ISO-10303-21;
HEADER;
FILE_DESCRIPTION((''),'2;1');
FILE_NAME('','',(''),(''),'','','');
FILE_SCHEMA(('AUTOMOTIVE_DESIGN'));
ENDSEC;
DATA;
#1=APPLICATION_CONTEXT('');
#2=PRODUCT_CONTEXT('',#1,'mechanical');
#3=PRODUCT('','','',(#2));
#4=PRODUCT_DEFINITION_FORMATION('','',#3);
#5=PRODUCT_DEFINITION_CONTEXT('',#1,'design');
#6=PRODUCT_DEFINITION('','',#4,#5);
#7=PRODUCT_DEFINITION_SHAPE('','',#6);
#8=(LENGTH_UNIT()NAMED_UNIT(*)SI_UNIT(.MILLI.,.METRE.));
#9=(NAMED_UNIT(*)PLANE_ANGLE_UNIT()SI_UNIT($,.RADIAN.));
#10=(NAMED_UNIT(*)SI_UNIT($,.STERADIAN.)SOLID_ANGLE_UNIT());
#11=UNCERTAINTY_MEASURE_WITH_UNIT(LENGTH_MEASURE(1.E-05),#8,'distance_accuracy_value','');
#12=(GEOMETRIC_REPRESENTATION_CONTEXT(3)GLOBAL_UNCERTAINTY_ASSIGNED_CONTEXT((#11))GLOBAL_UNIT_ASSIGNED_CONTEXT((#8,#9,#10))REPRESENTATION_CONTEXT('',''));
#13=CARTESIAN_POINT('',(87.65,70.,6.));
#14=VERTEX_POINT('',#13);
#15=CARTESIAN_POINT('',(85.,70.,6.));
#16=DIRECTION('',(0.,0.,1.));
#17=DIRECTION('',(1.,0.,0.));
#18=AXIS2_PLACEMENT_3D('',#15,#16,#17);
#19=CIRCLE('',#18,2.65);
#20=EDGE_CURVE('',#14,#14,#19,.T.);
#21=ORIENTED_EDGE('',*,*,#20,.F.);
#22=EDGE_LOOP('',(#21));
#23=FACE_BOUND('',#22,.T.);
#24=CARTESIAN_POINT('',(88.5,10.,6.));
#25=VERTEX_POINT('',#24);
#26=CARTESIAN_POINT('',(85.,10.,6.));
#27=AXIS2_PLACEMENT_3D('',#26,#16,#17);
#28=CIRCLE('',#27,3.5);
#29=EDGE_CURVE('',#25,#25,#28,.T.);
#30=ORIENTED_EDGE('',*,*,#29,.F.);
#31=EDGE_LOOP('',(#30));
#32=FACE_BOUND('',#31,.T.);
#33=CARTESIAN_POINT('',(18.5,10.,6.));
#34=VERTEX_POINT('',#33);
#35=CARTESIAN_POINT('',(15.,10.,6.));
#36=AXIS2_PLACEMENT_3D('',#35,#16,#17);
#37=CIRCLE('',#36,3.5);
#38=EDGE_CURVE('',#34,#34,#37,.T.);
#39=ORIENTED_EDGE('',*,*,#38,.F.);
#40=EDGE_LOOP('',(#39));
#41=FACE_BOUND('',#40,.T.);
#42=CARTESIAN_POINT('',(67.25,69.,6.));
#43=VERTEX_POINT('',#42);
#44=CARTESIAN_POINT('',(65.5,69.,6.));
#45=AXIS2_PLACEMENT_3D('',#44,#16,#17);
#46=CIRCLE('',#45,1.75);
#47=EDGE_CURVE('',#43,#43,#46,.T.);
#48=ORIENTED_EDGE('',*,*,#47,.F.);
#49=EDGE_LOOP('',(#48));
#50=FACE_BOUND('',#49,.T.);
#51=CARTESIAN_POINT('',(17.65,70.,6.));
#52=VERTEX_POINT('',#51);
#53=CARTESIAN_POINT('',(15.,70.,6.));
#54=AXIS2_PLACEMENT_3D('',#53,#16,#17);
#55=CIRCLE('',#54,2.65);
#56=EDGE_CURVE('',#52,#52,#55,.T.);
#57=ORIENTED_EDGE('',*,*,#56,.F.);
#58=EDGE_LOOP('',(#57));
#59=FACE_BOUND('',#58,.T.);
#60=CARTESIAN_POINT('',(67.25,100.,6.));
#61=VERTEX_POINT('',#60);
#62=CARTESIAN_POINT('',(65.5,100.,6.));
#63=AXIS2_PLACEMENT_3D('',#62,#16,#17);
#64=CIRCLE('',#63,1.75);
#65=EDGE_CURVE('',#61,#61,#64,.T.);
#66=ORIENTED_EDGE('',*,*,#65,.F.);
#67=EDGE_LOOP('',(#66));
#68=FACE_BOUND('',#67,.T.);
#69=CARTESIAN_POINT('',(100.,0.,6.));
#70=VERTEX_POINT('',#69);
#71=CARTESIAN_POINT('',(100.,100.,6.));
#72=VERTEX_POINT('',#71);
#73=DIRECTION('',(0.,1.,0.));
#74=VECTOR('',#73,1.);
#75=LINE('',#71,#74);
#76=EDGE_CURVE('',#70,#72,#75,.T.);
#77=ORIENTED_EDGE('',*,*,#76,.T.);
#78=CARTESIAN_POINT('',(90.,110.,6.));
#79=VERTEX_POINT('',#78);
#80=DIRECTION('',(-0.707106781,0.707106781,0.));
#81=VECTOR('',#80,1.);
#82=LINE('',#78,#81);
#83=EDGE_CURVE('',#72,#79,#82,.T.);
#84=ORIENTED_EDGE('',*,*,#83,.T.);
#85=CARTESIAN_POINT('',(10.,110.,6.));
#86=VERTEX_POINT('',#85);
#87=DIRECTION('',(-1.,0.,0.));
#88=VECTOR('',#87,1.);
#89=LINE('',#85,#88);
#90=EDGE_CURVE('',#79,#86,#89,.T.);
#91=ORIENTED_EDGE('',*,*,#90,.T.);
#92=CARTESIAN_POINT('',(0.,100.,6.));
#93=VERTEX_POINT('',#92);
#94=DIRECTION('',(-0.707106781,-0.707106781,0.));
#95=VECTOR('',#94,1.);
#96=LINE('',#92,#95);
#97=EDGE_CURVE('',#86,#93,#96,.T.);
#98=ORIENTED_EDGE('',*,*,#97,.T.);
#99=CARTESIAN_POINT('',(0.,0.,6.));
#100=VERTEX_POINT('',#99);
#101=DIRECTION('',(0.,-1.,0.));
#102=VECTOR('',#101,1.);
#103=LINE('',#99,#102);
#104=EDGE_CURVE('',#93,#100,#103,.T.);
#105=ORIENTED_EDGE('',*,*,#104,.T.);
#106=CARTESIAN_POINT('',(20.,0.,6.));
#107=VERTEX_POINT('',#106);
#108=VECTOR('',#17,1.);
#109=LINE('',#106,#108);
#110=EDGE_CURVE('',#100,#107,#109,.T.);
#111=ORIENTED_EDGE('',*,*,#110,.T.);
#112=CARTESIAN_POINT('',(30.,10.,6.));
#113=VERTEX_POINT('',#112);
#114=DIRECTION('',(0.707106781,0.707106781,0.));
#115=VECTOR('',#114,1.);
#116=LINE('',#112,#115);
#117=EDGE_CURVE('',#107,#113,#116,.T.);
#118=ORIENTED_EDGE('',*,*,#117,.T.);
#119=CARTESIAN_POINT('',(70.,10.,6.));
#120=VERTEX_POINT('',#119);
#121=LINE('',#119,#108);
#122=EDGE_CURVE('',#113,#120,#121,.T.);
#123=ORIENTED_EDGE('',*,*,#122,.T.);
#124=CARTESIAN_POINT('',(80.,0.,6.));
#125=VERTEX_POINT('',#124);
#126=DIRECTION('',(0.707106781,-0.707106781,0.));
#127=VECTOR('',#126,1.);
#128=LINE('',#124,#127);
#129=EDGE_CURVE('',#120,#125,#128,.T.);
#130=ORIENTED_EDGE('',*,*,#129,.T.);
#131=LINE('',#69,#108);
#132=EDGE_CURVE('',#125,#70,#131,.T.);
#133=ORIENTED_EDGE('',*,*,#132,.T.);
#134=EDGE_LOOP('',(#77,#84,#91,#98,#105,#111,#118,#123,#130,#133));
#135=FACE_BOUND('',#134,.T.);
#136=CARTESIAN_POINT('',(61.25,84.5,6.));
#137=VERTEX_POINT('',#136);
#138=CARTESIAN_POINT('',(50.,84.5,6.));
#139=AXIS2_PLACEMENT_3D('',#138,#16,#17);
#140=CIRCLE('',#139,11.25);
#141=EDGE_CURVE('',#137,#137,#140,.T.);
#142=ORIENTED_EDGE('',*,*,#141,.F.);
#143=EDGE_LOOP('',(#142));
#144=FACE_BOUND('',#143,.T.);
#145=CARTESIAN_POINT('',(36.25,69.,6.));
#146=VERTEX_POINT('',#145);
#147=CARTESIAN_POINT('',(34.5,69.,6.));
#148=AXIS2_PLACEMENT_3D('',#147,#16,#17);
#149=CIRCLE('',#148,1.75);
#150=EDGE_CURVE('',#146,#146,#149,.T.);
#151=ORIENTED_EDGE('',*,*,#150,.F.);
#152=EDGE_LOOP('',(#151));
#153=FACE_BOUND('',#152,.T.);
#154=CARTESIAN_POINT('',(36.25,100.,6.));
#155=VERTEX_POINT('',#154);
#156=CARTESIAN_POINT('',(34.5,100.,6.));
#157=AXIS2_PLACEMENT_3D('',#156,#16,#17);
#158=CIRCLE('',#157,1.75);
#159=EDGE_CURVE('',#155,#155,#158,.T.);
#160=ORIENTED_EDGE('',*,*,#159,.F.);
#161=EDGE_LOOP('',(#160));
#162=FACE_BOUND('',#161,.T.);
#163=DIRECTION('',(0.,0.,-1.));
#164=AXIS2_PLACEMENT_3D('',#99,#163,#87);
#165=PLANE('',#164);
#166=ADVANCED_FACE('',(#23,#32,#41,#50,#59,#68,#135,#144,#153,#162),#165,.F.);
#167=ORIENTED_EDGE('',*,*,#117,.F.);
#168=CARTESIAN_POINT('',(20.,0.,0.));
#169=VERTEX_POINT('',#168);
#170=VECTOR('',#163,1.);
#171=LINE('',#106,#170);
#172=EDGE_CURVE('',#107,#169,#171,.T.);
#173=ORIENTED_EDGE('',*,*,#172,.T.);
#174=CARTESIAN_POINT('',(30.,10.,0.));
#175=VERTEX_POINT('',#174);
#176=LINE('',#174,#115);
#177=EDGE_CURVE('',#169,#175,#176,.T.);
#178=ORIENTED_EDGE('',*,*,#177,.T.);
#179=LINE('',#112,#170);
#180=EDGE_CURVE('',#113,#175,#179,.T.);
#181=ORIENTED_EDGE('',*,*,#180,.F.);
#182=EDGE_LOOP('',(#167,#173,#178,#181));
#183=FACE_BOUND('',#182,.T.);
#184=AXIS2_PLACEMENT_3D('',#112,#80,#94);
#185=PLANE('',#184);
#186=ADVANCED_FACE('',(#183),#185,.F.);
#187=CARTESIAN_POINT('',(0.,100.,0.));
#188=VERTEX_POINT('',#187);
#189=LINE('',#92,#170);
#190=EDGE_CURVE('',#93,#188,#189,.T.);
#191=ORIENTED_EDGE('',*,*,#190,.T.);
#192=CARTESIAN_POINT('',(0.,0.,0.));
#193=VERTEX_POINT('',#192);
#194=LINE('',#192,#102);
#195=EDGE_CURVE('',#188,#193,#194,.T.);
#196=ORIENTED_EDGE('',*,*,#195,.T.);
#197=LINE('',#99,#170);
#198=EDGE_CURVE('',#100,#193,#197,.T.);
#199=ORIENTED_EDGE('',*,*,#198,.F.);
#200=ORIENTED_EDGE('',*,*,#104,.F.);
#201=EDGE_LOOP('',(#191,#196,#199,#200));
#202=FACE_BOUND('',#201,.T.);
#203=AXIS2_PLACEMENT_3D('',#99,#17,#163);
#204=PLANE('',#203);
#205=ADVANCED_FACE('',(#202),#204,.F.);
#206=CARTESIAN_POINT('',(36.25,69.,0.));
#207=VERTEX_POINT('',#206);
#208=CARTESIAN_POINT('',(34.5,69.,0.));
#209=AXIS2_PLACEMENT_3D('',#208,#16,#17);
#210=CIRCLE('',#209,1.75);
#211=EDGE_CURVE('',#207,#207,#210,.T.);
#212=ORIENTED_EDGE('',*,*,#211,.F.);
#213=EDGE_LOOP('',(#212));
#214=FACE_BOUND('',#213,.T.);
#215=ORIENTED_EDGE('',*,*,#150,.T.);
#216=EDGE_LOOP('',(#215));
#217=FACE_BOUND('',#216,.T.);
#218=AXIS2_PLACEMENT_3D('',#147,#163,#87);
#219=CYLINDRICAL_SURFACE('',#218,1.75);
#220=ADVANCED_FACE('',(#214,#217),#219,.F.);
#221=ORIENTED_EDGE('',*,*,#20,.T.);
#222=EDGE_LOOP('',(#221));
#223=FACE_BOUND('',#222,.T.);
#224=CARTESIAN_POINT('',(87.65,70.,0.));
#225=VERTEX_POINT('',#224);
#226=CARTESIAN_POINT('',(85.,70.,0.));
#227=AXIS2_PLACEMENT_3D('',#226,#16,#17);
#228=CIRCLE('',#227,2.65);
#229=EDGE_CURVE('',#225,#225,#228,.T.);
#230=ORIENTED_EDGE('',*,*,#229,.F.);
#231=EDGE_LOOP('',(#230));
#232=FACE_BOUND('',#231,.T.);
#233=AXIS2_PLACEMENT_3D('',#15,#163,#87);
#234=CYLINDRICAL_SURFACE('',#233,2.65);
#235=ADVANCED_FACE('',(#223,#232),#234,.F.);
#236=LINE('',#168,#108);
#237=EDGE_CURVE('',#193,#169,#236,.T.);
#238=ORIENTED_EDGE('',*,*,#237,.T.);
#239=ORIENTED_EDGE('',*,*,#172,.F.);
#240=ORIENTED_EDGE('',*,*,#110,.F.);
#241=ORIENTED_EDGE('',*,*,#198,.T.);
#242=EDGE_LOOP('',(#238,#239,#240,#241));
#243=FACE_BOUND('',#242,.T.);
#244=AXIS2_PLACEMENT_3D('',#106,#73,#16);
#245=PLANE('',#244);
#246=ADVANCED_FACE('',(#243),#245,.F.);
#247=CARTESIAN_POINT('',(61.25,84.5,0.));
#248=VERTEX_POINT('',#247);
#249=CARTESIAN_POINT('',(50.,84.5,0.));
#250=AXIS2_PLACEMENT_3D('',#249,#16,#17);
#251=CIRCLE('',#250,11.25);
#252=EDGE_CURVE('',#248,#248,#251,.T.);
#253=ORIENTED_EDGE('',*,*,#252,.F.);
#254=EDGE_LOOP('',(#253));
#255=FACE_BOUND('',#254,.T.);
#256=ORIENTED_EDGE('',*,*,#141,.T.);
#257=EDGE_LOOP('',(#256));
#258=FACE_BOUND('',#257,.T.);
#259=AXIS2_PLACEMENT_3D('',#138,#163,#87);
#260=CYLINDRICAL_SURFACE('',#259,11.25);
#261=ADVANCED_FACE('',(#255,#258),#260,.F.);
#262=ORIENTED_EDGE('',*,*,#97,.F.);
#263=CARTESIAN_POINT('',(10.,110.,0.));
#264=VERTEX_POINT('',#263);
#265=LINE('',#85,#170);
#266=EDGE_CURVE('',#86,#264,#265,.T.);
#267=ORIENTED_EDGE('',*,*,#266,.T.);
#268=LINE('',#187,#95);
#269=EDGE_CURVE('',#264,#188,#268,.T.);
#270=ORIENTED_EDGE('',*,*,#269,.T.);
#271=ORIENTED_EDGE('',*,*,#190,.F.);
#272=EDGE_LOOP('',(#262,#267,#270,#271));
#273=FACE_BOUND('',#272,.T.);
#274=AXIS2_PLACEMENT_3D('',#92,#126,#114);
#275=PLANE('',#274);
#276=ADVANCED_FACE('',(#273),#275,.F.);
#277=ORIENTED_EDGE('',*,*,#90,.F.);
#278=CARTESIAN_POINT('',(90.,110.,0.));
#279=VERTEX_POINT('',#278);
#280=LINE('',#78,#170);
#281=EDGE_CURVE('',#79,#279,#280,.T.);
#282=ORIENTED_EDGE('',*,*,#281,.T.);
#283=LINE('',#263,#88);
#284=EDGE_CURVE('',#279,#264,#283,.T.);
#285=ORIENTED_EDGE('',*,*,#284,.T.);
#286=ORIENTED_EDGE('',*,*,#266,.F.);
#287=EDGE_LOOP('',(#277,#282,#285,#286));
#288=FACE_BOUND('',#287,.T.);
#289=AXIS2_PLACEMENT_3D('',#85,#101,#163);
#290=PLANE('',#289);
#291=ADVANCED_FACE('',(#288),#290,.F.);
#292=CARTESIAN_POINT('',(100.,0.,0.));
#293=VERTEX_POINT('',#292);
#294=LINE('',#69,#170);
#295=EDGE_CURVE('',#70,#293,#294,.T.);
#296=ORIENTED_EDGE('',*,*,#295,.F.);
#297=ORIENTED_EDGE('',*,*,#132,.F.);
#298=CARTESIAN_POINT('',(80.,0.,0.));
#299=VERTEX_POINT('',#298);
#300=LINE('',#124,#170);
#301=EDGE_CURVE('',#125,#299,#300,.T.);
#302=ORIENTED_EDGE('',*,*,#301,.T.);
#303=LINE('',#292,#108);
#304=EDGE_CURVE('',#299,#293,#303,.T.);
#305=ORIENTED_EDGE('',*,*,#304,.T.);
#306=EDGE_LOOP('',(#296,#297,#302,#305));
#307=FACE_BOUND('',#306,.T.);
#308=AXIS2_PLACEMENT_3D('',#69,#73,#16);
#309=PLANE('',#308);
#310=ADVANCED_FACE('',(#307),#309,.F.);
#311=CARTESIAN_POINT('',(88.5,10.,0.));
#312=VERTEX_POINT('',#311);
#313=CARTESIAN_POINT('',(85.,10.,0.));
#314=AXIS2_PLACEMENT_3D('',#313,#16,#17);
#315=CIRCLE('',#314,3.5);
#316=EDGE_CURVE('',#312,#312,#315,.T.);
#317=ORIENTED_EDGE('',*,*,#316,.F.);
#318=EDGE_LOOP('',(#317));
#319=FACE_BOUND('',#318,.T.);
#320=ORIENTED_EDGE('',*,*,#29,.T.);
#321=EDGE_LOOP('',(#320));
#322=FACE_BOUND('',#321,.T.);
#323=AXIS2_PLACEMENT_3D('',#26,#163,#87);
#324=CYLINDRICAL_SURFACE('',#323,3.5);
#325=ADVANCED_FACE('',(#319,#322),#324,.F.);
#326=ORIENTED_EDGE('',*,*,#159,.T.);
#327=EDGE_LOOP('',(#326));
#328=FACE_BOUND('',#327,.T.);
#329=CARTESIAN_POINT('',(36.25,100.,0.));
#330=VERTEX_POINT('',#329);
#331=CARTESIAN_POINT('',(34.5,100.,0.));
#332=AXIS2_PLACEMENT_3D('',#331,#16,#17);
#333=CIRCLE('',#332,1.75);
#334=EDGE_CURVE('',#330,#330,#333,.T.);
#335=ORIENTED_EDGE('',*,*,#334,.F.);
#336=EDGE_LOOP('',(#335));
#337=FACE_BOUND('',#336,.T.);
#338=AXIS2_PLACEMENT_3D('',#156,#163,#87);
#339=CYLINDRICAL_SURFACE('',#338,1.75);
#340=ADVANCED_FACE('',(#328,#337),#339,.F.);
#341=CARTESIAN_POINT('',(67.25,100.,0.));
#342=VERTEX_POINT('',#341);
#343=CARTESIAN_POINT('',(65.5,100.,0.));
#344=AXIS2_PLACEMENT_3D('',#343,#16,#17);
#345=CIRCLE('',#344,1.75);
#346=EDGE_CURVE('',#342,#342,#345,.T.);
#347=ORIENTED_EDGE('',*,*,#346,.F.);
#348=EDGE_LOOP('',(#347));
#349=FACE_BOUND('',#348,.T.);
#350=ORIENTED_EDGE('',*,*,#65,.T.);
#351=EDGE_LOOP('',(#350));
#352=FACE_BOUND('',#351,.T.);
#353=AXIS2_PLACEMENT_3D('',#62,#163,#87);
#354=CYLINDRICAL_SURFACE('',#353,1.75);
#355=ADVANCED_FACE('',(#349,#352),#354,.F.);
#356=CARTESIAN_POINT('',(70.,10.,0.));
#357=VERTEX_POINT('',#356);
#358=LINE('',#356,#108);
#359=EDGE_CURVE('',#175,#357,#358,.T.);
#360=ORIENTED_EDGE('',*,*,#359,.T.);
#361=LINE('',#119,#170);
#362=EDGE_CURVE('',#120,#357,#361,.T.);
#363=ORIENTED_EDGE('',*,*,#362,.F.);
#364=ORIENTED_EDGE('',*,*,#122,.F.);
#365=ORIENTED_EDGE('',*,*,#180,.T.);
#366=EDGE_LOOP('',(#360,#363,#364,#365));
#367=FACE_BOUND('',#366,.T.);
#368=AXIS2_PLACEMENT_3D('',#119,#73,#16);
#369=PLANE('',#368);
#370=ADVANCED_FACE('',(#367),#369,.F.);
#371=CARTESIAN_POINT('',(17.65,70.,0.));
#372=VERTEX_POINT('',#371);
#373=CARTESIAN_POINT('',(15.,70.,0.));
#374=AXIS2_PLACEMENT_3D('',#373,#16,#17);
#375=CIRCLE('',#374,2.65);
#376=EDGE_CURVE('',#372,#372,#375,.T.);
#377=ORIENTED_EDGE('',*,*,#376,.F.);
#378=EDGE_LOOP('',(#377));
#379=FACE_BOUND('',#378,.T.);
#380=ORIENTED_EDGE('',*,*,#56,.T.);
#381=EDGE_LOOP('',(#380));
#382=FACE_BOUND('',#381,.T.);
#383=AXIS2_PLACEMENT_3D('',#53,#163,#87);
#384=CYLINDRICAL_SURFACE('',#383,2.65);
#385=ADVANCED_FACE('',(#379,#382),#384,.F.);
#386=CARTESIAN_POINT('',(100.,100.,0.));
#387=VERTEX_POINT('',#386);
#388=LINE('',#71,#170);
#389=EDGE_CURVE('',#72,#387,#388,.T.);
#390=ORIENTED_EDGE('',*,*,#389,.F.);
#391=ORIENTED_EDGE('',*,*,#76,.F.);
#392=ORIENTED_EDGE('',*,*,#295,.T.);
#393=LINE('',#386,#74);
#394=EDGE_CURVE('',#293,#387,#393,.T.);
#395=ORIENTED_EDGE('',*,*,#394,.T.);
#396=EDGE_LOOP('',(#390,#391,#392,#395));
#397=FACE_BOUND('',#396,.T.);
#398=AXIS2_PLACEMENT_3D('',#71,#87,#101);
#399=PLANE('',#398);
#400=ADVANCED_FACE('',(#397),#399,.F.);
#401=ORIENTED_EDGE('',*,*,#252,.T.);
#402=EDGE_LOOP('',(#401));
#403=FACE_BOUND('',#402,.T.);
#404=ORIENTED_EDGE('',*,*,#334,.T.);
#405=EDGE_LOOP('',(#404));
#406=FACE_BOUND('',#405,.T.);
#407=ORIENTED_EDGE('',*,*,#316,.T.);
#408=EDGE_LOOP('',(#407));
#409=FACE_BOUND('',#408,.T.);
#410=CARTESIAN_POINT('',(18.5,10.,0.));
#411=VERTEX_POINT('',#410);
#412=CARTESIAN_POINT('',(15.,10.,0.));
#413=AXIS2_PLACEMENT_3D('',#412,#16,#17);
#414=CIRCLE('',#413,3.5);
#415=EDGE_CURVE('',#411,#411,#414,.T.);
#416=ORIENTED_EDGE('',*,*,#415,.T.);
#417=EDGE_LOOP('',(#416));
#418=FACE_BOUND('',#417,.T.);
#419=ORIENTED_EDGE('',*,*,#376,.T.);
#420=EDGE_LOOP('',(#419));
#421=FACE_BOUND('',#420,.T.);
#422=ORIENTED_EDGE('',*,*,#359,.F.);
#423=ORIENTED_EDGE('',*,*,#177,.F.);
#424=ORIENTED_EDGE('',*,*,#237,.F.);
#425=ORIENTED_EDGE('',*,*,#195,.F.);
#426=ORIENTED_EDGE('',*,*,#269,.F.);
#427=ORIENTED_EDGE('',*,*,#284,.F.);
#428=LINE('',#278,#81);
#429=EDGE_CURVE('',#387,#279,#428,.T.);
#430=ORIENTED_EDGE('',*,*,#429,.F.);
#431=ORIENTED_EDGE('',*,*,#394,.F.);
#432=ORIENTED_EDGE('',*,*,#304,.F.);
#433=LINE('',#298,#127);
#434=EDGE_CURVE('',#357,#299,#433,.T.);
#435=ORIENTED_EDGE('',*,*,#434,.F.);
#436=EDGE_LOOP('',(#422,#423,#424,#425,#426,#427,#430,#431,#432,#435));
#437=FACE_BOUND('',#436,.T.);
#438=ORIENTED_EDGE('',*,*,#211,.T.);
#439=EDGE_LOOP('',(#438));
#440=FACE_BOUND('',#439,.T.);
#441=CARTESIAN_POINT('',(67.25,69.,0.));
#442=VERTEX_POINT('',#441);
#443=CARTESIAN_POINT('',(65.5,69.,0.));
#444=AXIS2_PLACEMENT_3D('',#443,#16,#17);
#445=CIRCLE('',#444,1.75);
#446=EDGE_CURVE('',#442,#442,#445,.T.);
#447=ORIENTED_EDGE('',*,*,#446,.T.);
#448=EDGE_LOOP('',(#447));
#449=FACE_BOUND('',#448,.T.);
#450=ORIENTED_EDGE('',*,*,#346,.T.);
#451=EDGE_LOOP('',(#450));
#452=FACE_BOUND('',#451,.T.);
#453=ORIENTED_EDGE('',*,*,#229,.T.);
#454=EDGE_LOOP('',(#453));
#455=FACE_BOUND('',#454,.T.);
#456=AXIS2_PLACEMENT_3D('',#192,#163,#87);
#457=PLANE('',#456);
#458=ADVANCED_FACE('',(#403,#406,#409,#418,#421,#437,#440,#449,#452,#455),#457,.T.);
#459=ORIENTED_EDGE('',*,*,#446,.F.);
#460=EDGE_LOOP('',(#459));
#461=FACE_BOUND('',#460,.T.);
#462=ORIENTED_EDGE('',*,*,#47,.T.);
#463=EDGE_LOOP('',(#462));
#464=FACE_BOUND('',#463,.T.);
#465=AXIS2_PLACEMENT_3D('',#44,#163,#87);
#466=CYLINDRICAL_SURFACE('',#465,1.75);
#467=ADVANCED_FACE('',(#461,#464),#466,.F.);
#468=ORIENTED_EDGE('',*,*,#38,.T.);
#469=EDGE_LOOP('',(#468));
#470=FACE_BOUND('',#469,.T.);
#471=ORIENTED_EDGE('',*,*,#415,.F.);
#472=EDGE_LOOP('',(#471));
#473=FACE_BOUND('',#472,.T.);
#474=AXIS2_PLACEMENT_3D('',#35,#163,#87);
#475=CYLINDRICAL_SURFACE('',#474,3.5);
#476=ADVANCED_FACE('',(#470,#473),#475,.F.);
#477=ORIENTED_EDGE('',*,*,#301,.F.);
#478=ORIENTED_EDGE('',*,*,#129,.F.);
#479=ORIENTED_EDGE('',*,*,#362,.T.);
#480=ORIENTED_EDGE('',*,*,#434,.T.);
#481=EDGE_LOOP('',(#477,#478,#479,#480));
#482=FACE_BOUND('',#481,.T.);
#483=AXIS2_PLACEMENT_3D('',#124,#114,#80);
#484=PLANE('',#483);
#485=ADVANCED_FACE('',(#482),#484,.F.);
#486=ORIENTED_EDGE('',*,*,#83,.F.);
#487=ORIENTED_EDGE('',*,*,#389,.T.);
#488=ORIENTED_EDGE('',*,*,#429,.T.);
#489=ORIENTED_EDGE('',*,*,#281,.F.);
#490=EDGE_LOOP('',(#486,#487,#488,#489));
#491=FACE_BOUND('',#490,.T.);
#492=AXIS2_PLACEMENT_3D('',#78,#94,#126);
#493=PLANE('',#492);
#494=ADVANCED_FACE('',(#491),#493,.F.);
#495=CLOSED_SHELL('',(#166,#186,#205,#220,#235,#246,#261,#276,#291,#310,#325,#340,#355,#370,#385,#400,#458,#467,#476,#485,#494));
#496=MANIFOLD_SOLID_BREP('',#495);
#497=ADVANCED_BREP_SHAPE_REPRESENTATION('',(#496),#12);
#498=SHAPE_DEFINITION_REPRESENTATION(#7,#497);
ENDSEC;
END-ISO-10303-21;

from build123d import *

# Parameters (mm, degrees)
CROQUIS1_R              = 2.65
CROQUIS1_R_2            = 3.5
CROQUIS1_R_3            = 1.75
CROQUIS1_R_4            = 11.25
SALIENTE_EXTRUIR1_DEPTH = 6


with BuildPart() as part:
    # Croquis1 → Saliente-Extruir1 (new body)
    with BuildSketch(Plane.XY):
        Polygon((100, 100), (100, 0), (80, 0), (70, 10), (30, 10), (20, 0), (0, 0), (0, 100), (10, 110), (90, 110), align=None)
        with Locations((15, 70)):
            Circle(CROQUIS1_R, mode=Mode.SUBTRACT)
        with Locations((15, 10)):
            Circle(CROQUIS1_R_2, mode=Mode.SUBTRACT)
        with Locations((85, 10)):
            Circle(CROQUIS1_R_2, mode=Mode.SUBTRACT)
        with Locations((34.5, 100)):
            Circle(CROQUIS1_R_3, mode=Mode.SUBTRACT)
        with Locations((65.5, 100)):
            Circle(CROQUIS1_R_3, mode=Mode.SUBTRACT)
        with Locations((65.5, 69)):
            Circle(CROQUIS1_R_3, mode=Mode.SUBTRACT)
        with Locations((34.5, 69)):
            Circle(CROQUIS1_R_3, mode=Mode.SUBTRACT)
        with Locations((50, 84.5)):
            Circle(CROQUIS1_R_4, mode=Mode.SUBTRACT)
        with Locations((85, 70)):
            Circle(CROQUIS1_R, mode=Mode.SUBTRACT)
    extrude(amount=SALIENTE_EXTRUIR1_DEPTH)


solid = part.part
